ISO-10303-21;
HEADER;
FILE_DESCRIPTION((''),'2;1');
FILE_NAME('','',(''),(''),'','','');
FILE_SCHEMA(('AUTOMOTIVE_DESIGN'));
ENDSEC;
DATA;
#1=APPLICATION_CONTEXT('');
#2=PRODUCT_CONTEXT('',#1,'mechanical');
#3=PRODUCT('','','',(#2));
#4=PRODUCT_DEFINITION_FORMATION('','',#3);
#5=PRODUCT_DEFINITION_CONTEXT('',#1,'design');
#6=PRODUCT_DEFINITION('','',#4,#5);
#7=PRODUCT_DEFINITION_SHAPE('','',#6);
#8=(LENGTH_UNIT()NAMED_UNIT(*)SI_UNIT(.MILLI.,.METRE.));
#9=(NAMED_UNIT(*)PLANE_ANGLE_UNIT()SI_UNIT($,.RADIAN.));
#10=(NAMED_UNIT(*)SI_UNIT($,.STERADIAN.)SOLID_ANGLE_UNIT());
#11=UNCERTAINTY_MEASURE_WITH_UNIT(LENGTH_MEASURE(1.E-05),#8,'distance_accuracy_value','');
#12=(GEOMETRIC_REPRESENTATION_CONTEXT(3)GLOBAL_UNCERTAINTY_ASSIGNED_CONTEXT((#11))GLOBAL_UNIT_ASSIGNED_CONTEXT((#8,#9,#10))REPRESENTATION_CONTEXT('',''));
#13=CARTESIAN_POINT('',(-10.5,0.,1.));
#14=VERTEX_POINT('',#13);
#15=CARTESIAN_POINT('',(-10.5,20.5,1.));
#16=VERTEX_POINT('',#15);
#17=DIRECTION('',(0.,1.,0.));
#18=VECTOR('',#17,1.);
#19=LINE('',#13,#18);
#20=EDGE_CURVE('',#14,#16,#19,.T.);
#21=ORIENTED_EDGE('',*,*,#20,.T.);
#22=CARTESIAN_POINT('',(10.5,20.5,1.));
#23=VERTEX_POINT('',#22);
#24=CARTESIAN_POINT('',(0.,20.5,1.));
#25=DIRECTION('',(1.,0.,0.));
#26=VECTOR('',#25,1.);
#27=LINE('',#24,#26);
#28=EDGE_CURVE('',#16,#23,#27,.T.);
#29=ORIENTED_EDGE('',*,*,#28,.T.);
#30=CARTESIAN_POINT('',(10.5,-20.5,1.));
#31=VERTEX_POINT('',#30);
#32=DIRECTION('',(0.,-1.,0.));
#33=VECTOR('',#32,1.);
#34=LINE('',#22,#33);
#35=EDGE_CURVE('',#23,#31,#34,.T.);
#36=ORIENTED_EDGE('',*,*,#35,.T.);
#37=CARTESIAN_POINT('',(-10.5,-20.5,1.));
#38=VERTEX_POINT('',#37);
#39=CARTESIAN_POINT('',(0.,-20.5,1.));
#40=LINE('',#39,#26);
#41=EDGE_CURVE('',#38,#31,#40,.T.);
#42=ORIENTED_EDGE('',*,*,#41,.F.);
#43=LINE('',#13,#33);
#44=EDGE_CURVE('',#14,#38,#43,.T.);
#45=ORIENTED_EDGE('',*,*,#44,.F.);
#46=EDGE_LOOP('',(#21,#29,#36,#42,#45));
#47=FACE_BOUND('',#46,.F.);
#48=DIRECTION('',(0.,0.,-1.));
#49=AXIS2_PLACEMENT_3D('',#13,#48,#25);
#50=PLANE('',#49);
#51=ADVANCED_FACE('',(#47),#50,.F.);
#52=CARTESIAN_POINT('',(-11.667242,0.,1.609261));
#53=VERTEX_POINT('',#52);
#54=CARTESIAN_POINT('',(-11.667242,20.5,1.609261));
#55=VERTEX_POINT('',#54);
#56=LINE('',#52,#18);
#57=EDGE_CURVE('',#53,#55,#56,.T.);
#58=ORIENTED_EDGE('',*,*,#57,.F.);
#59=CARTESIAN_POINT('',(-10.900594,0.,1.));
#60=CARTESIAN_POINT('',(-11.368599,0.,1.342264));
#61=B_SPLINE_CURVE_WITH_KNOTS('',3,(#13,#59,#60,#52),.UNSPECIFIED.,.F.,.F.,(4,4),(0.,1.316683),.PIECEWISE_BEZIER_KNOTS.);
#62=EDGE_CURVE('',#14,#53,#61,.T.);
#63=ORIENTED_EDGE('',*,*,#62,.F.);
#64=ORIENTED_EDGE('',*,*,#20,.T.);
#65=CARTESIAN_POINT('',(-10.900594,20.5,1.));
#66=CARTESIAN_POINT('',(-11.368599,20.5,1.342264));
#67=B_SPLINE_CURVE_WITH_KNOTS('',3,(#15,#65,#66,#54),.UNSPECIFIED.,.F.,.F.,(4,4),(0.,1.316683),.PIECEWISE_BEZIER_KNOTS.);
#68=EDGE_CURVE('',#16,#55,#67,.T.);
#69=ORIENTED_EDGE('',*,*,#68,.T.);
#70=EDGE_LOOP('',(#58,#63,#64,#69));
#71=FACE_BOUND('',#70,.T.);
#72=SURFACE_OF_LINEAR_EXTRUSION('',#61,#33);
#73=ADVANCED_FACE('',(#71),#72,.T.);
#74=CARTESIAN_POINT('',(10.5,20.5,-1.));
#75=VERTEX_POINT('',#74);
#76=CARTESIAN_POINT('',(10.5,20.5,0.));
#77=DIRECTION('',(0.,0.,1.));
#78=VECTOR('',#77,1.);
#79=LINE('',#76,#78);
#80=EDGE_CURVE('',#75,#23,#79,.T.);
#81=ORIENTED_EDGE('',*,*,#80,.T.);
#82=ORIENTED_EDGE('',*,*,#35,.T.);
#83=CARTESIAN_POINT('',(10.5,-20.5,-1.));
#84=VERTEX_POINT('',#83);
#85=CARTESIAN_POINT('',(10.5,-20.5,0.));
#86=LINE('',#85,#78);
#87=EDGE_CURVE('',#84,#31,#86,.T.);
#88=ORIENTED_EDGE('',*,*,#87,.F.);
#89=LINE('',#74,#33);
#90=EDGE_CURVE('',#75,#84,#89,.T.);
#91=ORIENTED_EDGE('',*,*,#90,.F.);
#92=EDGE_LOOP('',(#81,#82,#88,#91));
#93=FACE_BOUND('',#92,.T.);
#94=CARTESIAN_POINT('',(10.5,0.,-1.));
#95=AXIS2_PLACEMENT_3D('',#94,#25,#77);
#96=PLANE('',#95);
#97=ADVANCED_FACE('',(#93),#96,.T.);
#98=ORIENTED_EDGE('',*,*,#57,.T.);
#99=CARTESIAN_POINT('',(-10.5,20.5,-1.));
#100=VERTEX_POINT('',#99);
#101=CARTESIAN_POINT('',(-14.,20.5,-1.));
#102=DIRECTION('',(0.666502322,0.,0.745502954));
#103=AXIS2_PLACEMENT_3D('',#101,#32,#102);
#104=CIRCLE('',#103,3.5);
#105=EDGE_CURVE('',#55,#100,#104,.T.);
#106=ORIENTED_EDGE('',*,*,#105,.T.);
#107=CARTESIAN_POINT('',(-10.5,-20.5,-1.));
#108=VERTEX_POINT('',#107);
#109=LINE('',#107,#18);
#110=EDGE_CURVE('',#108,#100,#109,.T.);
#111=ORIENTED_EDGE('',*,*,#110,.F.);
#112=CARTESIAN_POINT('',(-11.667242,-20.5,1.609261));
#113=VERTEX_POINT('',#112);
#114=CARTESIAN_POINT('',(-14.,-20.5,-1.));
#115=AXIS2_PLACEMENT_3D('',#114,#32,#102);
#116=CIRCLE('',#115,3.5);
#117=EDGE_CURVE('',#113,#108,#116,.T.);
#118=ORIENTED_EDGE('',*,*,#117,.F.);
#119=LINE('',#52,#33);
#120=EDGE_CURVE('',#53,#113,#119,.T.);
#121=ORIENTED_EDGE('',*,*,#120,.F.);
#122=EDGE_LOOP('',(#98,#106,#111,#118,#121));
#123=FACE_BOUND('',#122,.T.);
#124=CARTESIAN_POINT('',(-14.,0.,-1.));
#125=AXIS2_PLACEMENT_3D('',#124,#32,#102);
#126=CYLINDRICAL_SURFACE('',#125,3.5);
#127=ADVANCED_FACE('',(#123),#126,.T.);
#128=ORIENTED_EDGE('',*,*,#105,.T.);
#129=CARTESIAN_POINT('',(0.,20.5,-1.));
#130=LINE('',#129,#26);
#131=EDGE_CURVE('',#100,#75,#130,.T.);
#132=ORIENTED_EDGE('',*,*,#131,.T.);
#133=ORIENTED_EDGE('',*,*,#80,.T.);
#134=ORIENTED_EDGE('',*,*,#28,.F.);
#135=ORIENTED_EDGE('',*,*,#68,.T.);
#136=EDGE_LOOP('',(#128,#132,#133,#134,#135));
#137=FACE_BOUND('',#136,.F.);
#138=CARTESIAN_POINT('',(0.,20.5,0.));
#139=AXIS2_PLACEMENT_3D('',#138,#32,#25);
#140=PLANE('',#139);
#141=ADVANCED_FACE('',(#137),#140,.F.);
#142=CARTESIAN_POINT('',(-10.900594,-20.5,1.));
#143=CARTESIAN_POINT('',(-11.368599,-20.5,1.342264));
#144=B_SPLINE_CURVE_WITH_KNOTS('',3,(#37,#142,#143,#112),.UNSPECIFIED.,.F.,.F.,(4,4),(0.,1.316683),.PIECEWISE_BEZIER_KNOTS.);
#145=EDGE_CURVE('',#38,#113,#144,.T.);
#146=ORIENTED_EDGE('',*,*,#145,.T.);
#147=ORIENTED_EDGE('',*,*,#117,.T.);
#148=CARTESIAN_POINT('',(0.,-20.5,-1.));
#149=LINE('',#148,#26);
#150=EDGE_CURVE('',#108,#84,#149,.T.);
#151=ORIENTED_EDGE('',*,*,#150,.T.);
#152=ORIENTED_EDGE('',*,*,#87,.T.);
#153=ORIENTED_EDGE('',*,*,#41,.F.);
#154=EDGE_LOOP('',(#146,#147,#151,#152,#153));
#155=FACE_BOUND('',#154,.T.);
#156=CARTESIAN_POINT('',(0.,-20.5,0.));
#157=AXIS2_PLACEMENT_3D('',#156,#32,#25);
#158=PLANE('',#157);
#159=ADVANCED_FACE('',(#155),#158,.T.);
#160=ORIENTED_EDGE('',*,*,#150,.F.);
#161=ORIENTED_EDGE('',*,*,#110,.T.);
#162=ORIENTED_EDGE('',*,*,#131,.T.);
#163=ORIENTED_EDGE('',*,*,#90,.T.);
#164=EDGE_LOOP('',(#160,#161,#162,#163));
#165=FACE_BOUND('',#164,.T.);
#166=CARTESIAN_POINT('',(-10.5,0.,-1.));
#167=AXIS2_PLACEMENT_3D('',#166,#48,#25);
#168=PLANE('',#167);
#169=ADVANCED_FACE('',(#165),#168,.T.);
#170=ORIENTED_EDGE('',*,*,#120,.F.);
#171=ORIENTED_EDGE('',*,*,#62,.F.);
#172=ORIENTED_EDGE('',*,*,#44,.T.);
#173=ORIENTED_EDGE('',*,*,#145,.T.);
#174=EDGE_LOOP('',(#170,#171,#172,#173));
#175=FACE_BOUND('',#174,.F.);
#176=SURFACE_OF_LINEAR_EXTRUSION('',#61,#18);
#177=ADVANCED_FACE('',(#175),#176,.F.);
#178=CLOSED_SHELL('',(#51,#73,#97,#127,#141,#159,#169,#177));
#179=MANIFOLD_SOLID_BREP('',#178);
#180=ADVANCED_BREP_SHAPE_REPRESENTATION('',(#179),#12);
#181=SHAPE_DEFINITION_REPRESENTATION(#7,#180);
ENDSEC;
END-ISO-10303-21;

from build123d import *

# Parameters (mm, degrees)
F0_W     = 21
F0_H     = 2
F1_DEPTH = 20.5


with BuildPart() as f1:
    # F0 (on Front) → F1 (new body, symmetric)
    with BuildSketch(Plane.XZ):
        Rectangle(F0_W, F0_H)
        with BuildLine():
            ThreePointArc((-11.667242, 1.609261), (-10.805109, 0.429222), (-10.5, -1))
            Line((-10.5, -1), (-10.5, 1))
            add(Edge.make_bspline(
                [(-10.5, 1), (-10.900594, 1), (-11.368599, 1.342264), (-11.667242, 1.609261)],
                knots=[0, 0, 0, 0, 1.316683, 1.316683, 1.316683, 1.316683], degree=3))
        make_face()
        with BuildLine():
            ThreePointArc((-11.667242, 1.609261), (-17.194891, -2.429222), (-10.5, -1))
            ThreePointArc((-10.5, -1), (-10.805109, 0.429222), (-11.667242, 1.609261))
        make_face()
    extrude(amount=F1_DEPTH, both=True)


solid = f1.part
